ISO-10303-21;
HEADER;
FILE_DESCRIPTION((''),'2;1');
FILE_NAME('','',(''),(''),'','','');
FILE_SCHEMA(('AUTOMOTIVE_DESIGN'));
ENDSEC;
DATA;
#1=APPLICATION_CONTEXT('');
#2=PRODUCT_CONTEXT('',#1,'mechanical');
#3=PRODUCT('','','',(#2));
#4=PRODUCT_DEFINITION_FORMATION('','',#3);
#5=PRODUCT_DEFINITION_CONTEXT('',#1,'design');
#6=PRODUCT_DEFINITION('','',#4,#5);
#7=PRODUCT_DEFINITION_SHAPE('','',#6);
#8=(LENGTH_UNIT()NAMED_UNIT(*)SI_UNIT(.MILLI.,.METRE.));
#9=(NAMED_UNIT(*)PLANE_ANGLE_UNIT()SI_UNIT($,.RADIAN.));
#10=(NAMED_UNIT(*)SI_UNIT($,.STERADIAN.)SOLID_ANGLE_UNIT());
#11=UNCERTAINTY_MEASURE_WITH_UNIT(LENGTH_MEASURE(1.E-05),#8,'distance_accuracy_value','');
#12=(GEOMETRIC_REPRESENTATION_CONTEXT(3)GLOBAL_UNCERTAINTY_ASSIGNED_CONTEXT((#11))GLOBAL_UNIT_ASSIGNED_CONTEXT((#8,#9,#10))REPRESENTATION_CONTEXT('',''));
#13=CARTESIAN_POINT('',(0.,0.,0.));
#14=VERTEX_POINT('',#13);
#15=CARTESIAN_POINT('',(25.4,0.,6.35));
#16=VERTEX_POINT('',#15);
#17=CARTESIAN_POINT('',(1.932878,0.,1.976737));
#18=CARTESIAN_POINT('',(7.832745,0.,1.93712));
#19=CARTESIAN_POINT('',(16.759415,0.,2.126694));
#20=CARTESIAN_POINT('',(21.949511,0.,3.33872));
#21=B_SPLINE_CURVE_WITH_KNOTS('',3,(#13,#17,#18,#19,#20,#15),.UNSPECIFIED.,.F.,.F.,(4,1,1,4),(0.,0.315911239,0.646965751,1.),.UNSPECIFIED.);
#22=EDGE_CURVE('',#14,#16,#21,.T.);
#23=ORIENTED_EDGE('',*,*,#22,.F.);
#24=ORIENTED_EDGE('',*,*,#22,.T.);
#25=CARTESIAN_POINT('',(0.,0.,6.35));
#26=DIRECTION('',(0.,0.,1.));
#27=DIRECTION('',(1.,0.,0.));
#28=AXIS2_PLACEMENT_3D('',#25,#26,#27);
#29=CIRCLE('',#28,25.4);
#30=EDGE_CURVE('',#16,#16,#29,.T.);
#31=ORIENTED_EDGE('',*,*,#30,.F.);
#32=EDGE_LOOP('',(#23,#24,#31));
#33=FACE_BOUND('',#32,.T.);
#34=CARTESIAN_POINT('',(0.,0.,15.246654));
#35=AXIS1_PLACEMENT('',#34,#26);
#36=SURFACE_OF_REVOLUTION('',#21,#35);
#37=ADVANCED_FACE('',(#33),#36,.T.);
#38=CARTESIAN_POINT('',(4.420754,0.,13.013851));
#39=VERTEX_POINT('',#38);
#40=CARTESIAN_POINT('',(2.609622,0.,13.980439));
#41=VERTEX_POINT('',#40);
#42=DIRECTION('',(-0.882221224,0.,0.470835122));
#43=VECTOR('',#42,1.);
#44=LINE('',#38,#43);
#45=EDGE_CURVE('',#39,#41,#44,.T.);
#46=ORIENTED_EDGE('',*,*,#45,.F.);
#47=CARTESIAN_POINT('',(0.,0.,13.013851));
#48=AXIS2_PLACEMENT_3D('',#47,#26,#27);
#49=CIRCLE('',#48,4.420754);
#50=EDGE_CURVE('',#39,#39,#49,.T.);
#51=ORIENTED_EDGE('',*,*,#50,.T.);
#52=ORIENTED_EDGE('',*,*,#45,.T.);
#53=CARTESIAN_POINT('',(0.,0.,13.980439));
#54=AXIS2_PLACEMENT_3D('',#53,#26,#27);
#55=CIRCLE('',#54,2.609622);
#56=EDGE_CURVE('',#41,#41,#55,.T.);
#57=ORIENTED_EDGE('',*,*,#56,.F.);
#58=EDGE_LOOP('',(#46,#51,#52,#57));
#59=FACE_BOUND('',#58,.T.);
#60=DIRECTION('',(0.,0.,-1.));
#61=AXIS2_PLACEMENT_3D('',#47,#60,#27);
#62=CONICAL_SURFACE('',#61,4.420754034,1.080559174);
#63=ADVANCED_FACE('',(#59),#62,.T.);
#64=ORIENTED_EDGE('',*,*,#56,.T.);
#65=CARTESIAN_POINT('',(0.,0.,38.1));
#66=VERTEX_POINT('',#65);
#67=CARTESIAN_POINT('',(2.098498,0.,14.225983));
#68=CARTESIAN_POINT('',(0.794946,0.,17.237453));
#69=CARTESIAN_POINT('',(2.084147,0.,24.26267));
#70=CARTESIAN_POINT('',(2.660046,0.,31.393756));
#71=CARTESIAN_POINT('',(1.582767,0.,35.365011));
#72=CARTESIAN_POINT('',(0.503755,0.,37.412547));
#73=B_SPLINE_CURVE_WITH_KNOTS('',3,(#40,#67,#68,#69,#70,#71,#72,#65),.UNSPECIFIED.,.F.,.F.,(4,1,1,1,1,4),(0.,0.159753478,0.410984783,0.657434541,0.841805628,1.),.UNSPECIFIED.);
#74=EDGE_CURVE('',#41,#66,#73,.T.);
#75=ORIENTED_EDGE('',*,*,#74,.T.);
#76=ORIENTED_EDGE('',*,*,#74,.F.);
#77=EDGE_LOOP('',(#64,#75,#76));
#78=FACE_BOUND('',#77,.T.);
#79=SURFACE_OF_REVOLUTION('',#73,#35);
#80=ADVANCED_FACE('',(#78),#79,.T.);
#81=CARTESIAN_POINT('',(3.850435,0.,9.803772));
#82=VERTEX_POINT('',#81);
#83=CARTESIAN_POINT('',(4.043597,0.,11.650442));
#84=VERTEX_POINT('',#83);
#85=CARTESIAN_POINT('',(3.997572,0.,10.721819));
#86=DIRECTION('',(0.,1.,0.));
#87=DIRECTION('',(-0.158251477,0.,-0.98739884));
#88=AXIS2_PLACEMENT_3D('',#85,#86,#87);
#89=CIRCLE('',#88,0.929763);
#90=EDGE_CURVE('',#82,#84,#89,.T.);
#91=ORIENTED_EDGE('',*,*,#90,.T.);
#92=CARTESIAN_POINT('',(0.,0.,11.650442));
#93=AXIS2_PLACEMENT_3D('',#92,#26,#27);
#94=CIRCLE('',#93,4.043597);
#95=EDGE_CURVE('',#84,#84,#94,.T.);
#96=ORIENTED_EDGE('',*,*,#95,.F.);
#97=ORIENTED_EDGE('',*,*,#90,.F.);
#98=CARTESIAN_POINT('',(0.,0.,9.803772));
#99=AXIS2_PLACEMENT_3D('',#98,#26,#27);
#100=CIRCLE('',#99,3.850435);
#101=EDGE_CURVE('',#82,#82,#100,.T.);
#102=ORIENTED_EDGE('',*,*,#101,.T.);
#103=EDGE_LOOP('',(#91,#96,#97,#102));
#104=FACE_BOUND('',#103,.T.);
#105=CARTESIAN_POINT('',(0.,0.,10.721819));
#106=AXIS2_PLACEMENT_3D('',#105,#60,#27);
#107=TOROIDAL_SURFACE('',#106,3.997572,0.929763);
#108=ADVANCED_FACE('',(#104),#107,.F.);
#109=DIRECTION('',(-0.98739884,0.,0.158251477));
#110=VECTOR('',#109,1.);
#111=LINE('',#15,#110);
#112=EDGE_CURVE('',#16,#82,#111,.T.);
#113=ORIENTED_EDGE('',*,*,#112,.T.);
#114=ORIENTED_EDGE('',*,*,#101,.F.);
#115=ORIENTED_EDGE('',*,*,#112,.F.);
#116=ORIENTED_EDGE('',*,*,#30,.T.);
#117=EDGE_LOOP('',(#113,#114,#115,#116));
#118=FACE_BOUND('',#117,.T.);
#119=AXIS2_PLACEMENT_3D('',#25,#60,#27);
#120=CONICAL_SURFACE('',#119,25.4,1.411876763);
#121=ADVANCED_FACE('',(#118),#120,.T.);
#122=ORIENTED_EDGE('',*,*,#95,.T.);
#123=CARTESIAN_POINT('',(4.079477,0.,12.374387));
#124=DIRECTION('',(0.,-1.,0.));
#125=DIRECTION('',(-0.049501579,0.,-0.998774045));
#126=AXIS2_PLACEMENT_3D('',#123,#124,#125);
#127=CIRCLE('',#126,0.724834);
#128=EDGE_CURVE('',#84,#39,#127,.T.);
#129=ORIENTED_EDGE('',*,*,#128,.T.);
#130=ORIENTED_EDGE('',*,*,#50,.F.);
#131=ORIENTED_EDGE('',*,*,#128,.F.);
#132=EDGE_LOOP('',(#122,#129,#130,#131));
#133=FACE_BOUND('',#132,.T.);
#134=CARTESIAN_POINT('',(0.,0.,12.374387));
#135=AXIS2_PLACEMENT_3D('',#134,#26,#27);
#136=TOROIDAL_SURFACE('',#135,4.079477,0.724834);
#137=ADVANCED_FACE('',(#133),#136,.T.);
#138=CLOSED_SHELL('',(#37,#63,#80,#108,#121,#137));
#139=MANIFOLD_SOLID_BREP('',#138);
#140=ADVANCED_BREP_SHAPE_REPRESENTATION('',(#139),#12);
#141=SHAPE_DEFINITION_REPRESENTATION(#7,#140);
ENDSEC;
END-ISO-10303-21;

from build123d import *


with BuildPart() as f1:
    # F0 (on Front) → F1 (revolve)
    with BuildSketch(Plane.XZ):
        with BuildLine():
            Line((0, 38.1), (0, 0))
            add(Edge.make_bspline(
                [(0, 0), (1.9328783048, 1.9767367336), (7.8327450038, 1.9371201849), (16.7594149129, 2.1266939012), (21.9495107251, 3.3387201234), (25.4, 6.35)],
                knots=[0, 0, 0, 0, 0.3159112392, 0.6469657512, 1, 1, 1, 1], degree=3))
            Line((25.4, 6.35), (3.8504353724, 9.8037719727))
            ThreePointArc((3.8504353724, 9.8037719727), (3.0728535717, 10.8185442544), (4.0435965079, 11.6504423204))
            ThreePointArc((4.0435965079, 11.6504423204), (4.7780737416, 12.1811355913), (4.4207540341, 13.0138508976))
            Line((4.4207540341, 13.0138508976), (2.6096221991, 13.9804389328))
            add(Edge.make_bspline(
                [(2.6096221991, 13.9804389328), (2.0984984756, 14.2259825319), (0.7949455822, 17.2374525929), (2.0841469684, 24.2626695119), (2.6600461386, 31.3937561213), (1.5827669807, 35.365010827), (0.5037554894, 37.4125468401), (0, 38.1)],
                knots=[0, 0, 0, 0, 0.1597534785, 0.4109847833, 0.6574345405, 0.8418056283, 1, 1, 1, 1], degree=3))
        make_face()
    revolve(axis=Axis((0, 0, 15.2466539294), (0, 0, 1)))


solid = f1.part
